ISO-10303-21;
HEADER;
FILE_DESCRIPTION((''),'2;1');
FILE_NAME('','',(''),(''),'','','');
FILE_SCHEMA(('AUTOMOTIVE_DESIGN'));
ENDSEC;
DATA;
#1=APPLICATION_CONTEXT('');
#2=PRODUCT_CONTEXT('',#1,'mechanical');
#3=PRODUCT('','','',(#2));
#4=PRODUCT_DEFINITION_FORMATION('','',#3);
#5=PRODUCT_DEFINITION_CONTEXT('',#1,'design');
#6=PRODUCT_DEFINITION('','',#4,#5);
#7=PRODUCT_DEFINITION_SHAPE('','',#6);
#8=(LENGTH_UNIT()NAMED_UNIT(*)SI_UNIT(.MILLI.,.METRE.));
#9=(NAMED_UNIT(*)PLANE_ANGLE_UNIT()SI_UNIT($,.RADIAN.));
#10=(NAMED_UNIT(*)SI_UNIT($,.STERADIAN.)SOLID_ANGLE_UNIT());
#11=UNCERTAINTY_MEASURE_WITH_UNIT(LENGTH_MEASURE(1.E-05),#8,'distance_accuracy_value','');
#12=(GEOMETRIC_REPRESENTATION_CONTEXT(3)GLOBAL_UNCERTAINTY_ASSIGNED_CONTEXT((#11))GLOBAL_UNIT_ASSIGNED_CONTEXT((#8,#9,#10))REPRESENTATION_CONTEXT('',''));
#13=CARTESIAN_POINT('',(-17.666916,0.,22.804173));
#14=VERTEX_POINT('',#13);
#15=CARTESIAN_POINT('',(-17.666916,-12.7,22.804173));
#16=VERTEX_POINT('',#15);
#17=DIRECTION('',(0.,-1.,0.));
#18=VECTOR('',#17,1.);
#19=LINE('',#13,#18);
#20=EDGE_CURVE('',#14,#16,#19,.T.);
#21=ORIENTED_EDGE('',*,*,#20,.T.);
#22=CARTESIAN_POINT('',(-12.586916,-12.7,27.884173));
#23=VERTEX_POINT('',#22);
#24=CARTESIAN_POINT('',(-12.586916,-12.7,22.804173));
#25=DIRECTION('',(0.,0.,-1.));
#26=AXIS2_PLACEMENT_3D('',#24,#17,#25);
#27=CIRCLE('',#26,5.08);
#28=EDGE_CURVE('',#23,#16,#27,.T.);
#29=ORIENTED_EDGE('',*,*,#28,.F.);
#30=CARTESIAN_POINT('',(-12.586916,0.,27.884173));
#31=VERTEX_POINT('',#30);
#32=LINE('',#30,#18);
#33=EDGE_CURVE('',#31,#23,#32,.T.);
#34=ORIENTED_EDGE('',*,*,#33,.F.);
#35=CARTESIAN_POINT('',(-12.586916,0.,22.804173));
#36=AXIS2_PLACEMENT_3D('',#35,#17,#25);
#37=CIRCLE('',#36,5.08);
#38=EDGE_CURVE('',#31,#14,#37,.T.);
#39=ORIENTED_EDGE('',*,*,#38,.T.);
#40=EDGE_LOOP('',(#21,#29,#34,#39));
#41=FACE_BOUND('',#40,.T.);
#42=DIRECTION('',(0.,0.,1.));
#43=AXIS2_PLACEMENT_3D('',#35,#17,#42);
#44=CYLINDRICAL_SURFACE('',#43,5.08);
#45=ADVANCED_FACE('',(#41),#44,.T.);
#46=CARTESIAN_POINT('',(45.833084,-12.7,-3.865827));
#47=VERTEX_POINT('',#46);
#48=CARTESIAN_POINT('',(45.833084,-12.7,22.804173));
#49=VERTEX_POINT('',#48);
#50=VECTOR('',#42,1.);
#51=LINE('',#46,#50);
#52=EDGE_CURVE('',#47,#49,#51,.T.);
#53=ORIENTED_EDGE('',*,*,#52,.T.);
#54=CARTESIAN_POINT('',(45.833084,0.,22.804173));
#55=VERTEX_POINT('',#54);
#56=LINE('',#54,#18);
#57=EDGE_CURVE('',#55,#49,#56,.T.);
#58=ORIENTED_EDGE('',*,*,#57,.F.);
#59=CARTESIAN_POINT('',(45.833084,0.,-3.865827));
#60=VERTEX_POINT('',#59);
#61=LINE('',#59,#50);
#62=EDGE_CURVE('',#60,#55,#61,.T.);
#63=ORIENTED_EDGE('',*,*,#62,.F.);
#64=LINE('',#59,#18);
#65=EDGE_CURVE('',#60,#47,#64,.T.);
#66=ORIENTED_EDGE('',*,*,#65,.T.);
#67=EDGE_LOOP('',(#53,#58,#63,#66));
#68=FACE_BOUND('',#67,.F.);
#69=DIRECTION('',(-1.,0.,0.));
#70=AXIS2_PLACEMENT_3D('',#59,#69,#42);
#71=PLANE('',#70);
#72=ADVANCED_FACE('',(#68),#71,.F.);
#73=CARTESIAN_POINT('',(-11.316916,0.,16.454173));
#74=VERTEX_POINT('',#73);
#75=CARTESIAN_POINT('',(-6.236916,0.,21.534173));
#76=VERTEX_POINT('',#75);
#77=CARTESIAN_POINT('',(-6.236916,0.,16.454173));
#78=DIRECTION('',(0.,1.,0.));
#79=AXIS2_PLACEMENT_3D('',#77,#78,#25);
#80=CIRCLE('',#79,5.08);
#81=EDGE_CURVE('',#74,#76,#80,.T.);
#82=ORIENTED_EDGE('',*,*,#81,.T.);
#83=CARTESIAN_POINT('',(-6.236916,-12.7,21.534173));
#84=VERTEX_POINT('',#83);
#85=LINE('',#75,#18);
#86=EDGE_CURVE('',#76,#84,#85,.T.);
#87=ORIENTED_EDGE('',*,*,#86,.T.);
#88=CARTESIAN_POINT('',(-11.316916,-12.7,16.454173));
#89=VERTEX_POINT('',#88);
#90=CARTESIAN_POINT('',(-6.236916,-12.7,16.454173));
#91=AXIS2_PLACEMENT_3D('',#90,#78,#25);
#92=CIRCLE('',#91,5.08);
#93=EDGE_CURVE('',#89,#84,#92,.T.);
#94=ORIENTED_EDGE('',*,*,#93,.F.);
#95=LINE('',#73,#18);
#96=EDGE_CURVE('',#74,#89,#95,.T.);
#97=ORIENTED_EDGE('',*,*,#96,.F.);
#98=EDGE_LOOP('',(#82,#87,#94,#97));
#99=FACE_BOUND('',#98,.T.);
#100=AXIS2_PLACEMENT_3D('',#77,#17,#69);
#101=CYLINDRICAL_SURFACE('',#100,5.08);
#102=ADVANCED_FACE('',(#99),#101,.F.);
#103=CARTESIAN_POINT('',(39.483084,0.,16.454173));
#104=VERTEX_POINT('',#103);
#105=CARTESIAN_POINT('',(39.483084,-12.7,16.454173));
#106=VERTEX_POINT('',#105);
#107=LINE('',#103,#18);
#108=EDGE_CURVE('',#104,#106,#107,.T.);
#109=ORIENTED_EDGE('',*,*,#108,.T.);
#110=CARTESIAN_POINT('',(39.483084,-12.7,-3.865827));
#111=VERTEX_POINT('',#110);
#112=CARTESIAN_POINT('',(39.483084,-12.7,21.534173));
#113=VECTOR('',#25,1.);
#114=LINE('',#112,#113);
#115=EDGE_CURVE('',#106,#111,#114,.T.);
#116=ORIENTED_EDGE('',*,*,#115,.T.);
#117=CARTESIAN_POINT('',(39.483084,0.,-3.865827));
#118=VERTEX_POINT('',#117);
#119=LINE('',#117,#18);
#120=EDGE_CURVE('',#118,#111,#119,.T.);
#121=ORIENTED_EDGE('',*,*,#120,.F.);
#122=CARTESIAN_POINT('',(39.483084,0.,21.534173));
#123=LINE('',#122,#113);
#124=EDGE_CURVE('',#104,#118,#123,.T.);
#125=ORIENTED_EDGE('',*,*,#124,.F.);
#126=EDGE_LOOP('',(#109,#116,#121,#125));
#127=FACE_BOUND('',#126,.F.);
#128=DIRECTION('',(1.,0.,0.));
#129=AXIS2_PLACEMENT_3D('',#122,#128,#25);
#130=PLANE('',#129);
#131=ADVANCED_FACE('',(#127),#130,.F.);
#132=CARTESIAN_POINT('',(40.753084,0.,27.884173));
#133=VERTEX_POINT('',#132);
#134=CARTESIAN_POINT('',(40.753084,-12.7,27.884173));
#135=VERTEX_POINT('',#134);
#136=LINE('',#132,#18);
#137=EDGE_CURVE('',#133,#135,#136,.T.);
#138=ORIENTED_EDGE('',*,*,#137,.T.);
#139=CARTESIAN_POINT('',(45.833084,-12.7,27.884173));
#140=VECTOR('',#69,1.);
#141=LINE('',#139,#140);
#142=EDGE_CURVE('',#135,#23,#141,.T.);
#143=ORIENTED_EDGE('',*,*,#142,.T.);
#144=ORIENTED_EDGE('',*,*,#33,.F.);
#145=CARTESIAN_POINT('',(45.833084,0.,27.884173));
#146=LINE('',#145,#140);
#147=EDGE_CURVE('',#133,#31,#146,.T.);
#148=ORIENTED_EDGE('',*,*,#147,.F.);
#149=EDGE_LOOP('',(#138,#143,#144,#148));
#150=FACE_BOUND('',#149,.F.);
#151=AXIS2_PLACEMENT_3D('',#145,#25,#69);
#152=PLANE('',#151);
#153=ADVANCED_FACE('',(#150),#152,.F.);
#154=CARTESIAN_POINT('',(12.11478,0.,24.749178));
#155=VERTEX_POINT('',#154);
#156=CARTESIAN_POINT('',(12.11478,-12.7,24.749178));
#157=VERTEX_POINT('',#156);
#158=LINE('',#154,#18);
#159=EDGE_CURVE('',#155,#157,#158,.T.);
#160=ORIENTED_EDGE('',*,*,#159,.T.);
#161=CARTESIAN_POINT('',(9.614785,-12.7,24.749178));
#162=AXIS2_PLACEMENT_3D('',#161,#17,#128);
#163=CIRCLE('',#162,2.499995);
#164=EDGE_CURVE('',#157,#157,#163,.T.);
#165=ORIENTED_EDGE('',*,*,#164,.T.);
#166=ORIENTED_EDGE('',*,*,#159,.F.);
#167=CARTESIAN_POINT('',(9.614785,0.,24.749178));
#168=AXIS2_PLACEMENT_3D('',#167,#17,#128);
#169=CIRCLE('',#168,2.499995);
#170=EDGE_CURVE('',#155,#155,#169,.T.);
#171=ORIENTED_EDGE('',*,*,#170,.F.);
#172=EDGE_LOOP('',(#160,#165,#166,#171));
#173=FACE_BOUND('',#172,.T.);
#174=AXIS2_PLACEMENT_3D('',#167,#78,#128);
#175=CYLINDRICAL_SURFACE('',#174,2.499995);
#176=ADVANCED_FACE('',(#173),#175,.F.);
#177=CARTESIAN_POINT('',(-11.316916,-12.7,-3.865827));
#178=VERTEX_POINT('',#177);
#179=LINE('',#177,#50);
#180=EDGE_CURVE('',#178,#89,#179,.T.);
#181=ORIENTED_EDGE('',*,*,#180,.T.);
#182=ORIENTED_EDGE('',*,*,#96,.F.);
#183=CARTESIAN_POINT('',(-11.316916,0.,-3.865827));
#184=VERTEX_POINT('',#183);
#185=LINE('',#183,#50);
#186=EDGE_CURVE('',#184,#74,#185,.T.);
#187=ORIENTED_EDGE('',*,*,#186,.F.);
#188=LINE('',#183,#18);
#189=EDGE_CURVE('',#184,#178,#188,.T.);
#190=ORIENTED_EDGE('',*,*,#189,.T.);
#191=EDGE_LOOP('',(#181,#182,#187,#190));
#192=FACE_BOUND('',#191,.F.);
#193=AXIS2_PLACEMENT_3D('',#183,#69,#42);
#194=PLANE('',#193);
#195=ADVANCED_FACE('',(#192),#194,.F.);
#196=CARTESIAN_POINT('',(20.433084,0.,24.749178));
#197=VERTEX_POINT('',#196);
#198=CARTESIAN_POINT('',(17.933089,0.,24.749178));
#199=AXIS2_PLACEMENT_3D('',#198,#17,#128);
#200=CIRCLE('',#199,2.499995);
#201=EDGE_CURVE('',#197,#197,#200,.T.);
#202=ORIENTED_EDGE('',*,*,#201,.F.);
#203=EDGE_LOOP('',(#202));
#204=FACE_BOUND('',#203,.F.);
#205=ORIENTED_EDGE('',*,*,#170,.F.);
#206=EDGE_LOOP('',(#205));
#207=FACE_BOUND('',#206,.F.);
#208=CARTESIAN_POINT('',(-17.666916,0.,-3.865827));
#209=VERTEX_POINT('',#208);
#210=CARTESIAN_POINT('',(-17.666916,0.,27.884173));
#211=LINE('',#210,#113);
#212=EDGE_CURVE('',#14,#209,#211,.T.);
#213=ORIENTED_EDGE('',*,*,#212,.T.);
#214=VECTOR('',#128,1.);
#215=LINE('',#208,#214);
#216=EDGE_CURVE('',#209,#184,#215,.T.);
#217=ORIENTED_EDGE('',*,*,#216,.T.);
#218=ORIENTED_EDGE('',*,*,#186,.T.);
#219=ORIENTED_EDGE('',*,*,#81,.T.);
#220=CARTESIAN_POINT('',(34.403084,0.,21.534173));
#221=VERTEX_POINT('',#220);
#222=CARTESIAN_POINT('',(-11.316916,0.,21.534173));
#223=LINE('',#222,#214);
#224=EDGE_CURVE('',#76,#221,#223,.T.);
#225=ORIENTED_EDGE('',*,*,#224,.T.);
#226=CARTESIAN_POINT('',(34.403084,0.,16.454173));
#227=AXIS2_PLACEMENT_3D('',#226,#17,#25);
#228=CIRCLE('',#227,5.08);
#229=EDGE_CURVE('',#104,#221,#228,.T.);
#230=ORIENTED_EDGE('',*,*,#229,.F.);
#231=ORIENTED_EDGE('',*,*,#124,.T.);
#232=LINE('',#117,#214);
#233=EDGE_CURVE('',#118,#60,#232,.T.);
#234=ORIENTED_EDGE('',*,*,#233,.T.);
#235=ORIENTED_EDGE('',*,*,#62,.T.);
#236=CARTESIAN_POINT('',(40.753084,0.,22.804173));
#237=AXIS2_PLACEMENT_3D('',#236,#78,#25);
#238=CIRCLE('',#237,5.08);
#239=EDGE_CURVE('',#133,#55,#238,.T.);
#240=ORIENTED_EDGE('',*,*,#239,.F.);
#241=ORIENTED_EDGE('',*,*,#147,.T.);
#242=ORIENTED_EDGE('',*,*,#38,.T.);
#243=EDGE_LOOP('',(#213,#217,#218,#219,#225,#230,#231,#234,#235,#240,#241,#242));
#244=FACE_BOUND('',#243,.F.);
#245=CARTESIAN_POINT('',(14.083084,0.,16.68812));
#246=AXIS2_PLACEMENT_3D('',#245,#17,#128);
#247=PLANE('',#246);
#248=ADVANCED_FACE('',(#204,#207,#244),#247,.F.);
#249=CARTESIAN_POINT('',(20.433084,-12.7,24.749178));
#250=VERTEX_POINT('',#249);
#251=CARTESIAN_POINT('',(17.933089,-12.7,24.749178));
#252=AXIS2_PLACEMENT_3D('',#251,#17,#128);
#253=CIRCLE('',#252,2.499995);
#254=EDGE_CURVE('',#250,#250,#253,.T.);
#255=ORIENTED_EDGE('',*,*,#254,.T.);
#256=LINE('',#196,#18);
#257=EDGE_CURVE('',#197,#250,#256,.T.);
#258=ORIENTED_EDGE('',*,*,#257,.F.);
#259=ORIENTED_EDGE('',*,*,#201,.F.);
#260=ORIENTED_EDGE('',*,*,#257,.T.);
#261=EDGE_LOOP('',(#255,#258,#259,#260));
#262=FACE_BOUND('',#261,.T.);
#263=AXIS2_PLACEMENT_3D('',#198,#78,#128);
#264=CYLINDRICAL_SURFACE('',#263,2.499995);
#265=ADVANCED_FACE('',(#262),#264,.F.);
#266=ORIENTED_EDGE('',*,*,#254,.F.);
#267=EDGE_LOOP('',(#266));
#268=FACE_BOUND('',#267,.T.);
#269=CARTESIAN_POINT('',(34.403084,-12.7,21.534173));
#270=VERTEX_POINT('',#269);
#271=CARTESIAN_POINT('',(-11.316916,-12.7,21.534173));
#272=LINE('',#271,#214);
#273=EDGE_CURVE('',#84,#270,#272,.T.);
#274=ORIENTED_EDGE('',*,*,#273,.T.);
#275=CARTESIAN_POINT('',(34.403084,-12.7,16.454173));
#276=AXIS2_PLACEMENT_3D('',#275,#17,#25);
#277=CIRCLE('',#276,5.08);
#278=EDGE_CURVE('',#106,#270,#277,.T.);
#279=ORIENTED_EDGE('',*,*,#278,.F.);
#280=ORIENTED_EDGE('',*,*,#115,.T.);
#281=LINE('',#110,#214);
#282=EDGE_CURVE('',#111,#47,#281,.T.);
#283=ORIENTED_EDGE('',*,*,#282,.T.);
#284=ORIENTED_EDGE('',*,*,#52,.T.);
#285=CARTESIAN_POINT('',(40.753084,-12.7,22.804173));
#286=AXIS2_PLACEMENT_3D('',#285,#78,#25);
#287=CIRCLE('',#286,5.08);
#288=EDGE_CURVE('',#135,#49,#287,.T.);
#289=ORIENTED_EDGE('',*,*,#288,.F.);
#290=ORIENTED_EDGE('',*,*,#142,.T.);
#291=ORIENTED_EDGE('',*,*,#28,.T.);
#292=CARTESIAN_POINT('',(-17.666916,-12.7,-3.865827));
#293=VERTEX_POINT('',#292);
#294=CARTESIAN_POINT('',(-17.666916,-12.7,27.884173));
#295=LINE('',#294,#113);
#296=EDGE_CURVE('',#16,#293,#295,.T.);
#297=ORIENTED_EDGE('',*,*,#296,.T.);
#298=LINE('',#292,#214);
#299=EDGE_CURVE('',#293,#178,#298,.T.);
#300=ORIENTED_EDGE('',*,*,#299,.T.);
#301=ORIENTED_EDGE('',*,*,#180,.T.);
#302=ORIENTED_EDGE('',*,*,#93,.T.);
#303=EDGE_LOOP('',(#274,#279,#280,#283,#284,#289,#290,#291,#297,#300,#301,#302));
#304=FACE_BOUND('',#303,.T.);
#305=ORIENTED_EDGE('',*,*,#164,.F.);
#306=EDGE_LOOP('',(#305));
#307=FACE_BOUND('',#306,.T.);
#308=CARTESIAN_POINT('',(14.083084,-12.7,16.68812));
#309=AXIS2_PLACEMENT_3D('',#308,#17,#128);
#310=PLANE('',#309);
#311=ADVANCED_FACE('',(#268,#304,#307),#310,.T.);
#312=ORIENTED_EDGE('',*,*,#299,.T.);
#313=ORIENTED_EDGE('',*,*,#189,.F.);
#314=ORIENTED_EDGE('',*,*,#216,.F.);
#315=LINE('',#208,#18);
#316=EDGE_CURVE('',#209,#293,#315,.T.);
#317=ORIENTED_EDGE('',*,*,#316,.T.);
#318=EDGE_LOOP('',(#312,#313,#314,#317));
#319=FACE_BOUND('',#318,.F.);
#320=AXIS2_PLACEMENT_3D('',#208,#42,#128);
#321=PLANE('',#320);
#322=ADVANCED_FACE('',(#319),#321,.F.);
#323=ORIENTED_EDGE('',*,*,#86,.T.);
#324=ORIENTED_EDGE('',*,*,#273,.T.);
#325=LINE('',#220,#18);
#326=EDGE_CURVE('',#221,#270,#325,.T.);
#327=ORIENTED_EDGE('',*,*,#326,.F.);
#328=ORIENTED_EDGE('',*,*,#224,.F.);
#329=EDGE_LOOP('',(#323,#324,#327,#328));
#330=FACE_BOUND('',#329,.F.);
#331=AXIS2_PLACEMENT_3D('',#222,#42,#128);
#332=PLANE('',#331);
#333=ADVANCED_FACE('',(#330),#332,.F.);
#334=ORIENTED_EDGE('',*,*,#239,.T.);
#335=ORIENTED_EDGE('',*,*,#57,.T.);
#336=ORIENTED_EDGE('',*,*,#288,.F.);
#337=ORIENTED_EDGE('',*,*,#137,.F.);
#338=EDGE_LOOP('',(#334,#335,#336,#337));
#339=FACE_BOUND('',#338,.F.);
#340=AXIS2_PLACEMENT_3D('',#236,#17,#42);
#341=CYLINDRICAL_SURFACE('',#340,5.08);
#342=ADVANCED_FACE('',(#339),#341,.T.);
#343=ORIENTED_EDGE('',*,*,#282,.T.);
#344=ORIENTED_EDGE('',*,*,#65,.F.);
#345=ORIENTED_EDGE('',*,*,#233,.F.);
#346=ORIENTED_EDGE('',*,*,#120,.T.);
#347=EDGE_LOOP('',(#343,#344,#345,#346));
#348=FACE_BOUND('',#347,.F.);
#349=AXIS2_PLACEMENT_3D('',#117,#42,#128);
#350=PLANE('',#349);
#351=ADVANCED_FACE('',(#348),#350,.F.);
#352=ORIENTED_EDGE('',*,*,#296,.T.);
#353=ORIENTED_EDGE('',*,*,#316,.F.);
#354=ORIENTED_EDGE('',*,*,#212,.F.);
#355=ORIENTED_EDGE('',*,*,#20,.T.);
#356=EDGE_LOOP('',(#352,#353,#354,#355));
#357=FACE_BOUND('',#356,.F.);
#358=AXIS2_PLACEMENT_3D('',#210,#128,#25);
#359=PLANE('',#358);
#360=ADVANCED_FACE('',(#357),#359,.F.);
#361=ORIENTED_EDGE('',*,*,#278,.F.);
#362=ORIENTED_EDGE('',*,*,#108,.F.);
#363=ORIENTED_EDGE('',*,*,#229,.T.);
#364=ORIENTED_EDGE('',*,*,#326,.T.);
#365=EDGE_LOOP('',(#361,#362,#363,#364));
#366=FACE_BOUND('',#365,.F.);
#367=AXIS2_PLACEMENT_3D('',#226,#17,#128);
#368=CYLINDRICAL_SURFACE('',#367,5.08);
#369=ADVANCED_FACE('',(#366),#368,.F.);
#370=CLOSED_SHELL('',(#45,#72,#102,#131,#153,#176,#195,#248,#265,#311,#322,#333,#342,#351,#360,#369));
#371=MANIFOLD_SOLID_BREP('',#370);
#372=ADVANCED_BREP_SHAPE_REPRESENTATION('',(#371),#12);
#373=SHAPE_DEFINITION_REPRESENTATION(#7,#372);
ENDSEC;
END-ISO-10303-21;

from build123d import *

# Parameters (mm, degrees)
F0_R     = 2.499995
F1_DEPTH = 12.7
F2_R     = 5.08


with BuildPart() as f1:
    # F0 (on Front) → F1 (new body)
    with BuildSketch(Plane.XZ):
        Polygon((45.833084, 27.884173), (-17.666916, 27.884173), (-17.666916, -3.865827), (-11.316916, -3.865827), (-11.316916, 21.534173), (39.483084, 21.534173), (39.483084, -3.865827), (45.833084, -3.865827), align=None)
        with Locations((9.614785, 24.749178)):
            Circle(F0_R, mode=Mode.SUBTRACT)
        with Locations((17.933089, 24.749178)):
            Circle(F0_R, mode=Mode.SUBTRACT)
    extrude(amount=F1_DEPTH)

    # F2
    f2_edges = [f1.edges().sort_by_distance(p)[0] for p in [
        (-17.666916, -6.35, 27.884173),
        (-11.316916, -6.35, 21.534173),
        (45.833084, -6.35, 27.884173),
        (39.483084, -6.35, 21.534173),
    ]]
    fillet(f2_edges, radius=F2_R)


solid = f1.part
